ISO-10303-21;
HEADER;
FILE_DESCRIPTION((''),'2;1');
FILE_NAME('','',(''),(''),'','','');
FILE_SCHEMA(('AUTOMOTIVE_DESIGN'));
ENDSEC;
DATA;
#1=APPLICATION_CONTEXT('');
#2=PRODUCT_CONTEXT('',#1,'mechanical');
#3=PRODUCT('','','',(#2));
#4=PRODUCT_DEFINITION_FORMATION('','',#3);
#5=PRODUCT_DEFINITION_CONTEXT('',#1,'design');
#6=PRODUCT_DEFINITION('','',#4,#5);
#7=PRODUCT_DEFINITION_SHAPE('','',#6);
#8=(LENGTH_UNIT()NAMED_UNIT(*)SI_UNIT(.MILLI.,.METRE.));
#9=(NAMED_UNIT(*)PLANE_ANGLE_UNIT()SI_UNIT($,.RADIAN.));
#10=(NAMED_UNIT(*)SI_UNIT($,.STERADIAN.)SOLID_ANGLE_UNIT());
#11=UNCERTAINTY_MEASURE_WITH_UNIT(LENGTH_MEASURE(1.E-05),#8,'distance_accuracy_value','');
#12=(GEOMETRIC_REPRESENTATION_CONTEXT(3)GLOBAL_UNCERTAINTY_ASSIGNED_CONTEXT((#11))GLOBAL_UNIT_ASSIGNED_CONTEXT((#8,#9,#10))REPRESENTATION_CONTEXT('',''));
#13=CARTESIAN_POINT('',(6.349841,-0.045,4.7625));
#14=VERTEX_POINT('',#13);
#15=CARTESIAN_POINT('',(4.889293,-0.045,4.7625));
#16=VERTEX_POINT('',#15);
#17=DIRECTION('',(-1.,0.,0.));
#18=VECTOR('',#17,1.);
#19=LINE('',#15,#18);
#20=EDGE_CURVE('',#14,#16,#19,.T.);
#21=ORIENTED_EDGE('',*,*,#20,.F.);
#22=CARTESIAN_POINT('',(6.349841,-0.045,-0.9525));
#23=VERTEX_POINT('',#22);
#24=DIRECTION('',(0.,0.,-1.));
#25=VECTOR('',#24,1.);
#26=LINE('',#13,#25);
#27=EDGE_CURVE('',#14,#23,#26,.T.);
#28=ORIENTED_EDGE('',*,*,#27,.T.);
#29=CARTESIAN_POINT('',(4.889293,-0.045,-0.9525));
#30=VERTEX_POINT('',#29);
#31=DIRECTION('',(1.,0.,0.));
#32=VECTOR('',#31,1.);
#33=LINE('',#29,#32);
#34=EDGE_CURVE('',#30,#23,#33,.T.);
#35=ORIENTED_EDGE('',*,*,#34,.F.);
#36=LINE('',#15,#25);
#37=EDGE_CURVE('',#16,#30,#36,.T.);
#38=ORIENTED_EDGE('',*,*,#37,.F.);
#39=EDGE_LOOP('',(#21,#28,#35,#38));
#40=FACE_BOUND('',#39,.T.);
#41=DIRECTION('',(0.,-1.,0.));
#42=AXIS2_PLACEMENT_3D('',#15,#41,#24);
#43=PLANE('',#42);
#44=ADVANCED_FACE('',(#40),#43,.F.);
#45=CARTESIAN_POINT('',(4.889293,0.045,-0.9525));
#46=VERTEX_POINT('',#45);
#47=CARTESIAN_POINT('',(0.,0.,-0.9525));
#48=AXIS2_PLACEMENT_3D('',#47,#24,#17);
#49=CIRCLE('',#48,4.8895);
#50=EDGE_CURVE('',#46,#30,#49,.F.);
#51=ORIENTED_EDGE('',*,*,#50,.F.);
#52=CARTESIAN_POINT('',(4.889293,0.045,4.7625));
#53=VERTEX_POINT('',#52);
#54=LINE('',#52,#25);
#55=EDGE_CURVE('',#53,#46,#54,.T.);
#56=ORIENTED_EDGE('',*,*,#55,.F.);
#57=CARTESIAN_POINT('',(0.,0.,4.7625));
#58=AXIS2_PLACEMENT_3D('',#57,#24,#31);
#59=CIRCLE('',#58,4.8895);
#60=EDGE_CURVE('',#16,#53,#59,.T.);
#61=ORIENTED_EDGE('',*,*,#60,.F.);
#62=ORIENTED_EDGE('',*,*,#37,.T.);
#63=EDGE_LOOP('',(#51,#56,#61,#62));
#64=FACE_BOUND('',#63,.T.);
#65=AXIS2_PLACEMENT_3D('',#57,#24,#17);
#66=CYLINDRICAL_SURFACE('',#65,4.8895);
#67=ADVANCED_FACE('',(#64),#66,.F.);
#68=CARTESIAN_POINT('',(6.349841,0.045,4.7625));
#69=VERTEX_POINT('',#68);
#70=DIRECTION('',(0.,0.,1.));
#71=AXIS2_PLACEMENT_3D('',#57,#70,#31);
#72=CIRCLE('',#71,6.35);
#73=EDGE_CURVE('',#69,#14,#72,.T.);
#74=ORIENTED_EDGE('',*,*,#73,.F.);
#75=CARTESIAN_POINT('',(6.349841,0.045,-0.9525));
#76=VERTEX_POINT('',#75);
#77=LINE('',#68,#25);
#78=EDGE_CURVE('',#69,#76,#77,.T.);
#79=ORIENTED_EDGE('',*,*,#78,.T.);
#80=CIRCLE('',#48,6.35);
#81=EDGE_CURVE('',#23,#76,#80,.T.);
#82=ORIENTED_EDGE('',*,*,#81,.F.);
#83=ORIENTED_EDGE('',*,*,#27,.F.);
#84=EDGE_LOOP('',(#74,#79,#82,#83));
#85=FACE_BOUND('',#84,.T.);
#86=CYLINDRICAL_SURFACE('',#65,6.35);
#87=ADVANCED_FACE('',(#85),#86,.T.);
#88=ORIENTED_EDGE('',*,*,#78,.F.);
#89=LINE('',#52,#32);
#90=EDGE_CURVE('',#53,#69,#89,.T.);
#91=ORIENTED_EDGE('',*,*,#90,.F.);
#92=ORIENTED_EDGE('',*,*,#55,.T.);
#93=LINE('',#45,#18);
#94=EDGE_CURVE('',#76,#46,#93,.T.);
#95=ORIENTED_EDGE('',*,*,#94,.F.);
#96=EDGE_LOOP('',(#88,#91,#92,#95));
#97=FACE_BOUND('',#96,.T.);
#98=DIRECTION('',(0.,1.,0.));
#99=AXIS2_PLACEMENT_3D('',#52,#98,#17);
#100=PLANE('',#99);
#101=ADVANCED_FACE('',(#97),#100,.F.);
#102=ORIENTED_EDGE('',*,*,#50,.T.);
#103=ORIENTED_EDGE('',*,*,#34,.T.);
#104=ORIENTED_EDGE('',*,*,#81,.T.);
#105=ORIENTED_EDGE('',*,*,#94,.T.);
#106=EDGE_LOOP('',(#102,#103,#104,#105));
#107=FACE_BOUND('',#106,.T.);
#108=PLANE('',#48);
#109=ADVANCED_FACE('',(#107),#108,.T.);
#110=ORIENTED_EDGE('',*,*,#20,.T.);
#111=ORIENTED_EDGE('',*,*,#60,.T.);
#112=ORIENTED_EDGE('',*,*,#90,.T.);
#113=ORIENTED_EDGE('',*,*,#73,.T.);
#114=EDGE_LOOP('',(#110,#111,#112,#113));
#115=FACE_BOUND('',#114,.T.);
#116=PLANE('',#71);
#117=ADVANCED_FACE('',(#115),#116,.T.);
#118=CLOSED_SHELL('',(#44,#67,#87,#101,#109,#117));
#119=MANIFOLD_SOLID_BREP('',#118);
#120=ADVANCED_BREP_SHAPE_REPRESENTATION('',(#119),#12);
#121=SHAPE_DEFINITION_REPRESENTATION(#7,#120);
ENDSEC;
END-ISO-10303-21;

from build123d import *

# Parameters (mm, degrees)
BOSS_EXTRUDE1_DEPTH      = 4.7625
BOSS_EXTRUDE1_DEPTH_BACK = 4.7625
SKETCH4_W                = 24.044105213
SKETCH4_H                = 22.52166187
CUT_EXTRUDE1_DEPTH       = 3.81


with BuildPart() as part:
    # Sketch3 → Boss-Extrude1 (new body, two sides)
    with BuildSketch(Plane.XY) as boss_extrude1_sk:
        with BuildLine():
            Line((4.889292919, 0.045), (6.349840549, 0.045))
            ThreePointArc((6.349840549, 0.045), (-6.35, 0), (6.349840549, -0.045))
            Line((6.349840549, -0.045), (4.889292919, -0.045))
            ThreePointArc((4.889292919, -0.045), (-4.8895, 0), (4.889292919, 0.045))
        make_face()
    extrude(amount=BOSS_EXTRUDE1_DEPTH)
    extrude(boss_extrude1_sk.sketch, amount=-BOSS_EXTRUDE1_DEPTH_BACK)

    # Sketch4 → Cut-Extrude1 (cut)
    with BuildSketch(Plane(origin=(0, 0, -4.7625), x_dir=(-1, 0, 0), z_dir=(0, 0, -1))):
        with Locations((-0.7086439, 0.118120604)):
            Rectangle(SKETCH4_W, SKETCH4_H)
    extrude(amount=-CUT_EXTRUDE1_DEPTH, mode=Mode.SUBTRACT)


solid = part.part
